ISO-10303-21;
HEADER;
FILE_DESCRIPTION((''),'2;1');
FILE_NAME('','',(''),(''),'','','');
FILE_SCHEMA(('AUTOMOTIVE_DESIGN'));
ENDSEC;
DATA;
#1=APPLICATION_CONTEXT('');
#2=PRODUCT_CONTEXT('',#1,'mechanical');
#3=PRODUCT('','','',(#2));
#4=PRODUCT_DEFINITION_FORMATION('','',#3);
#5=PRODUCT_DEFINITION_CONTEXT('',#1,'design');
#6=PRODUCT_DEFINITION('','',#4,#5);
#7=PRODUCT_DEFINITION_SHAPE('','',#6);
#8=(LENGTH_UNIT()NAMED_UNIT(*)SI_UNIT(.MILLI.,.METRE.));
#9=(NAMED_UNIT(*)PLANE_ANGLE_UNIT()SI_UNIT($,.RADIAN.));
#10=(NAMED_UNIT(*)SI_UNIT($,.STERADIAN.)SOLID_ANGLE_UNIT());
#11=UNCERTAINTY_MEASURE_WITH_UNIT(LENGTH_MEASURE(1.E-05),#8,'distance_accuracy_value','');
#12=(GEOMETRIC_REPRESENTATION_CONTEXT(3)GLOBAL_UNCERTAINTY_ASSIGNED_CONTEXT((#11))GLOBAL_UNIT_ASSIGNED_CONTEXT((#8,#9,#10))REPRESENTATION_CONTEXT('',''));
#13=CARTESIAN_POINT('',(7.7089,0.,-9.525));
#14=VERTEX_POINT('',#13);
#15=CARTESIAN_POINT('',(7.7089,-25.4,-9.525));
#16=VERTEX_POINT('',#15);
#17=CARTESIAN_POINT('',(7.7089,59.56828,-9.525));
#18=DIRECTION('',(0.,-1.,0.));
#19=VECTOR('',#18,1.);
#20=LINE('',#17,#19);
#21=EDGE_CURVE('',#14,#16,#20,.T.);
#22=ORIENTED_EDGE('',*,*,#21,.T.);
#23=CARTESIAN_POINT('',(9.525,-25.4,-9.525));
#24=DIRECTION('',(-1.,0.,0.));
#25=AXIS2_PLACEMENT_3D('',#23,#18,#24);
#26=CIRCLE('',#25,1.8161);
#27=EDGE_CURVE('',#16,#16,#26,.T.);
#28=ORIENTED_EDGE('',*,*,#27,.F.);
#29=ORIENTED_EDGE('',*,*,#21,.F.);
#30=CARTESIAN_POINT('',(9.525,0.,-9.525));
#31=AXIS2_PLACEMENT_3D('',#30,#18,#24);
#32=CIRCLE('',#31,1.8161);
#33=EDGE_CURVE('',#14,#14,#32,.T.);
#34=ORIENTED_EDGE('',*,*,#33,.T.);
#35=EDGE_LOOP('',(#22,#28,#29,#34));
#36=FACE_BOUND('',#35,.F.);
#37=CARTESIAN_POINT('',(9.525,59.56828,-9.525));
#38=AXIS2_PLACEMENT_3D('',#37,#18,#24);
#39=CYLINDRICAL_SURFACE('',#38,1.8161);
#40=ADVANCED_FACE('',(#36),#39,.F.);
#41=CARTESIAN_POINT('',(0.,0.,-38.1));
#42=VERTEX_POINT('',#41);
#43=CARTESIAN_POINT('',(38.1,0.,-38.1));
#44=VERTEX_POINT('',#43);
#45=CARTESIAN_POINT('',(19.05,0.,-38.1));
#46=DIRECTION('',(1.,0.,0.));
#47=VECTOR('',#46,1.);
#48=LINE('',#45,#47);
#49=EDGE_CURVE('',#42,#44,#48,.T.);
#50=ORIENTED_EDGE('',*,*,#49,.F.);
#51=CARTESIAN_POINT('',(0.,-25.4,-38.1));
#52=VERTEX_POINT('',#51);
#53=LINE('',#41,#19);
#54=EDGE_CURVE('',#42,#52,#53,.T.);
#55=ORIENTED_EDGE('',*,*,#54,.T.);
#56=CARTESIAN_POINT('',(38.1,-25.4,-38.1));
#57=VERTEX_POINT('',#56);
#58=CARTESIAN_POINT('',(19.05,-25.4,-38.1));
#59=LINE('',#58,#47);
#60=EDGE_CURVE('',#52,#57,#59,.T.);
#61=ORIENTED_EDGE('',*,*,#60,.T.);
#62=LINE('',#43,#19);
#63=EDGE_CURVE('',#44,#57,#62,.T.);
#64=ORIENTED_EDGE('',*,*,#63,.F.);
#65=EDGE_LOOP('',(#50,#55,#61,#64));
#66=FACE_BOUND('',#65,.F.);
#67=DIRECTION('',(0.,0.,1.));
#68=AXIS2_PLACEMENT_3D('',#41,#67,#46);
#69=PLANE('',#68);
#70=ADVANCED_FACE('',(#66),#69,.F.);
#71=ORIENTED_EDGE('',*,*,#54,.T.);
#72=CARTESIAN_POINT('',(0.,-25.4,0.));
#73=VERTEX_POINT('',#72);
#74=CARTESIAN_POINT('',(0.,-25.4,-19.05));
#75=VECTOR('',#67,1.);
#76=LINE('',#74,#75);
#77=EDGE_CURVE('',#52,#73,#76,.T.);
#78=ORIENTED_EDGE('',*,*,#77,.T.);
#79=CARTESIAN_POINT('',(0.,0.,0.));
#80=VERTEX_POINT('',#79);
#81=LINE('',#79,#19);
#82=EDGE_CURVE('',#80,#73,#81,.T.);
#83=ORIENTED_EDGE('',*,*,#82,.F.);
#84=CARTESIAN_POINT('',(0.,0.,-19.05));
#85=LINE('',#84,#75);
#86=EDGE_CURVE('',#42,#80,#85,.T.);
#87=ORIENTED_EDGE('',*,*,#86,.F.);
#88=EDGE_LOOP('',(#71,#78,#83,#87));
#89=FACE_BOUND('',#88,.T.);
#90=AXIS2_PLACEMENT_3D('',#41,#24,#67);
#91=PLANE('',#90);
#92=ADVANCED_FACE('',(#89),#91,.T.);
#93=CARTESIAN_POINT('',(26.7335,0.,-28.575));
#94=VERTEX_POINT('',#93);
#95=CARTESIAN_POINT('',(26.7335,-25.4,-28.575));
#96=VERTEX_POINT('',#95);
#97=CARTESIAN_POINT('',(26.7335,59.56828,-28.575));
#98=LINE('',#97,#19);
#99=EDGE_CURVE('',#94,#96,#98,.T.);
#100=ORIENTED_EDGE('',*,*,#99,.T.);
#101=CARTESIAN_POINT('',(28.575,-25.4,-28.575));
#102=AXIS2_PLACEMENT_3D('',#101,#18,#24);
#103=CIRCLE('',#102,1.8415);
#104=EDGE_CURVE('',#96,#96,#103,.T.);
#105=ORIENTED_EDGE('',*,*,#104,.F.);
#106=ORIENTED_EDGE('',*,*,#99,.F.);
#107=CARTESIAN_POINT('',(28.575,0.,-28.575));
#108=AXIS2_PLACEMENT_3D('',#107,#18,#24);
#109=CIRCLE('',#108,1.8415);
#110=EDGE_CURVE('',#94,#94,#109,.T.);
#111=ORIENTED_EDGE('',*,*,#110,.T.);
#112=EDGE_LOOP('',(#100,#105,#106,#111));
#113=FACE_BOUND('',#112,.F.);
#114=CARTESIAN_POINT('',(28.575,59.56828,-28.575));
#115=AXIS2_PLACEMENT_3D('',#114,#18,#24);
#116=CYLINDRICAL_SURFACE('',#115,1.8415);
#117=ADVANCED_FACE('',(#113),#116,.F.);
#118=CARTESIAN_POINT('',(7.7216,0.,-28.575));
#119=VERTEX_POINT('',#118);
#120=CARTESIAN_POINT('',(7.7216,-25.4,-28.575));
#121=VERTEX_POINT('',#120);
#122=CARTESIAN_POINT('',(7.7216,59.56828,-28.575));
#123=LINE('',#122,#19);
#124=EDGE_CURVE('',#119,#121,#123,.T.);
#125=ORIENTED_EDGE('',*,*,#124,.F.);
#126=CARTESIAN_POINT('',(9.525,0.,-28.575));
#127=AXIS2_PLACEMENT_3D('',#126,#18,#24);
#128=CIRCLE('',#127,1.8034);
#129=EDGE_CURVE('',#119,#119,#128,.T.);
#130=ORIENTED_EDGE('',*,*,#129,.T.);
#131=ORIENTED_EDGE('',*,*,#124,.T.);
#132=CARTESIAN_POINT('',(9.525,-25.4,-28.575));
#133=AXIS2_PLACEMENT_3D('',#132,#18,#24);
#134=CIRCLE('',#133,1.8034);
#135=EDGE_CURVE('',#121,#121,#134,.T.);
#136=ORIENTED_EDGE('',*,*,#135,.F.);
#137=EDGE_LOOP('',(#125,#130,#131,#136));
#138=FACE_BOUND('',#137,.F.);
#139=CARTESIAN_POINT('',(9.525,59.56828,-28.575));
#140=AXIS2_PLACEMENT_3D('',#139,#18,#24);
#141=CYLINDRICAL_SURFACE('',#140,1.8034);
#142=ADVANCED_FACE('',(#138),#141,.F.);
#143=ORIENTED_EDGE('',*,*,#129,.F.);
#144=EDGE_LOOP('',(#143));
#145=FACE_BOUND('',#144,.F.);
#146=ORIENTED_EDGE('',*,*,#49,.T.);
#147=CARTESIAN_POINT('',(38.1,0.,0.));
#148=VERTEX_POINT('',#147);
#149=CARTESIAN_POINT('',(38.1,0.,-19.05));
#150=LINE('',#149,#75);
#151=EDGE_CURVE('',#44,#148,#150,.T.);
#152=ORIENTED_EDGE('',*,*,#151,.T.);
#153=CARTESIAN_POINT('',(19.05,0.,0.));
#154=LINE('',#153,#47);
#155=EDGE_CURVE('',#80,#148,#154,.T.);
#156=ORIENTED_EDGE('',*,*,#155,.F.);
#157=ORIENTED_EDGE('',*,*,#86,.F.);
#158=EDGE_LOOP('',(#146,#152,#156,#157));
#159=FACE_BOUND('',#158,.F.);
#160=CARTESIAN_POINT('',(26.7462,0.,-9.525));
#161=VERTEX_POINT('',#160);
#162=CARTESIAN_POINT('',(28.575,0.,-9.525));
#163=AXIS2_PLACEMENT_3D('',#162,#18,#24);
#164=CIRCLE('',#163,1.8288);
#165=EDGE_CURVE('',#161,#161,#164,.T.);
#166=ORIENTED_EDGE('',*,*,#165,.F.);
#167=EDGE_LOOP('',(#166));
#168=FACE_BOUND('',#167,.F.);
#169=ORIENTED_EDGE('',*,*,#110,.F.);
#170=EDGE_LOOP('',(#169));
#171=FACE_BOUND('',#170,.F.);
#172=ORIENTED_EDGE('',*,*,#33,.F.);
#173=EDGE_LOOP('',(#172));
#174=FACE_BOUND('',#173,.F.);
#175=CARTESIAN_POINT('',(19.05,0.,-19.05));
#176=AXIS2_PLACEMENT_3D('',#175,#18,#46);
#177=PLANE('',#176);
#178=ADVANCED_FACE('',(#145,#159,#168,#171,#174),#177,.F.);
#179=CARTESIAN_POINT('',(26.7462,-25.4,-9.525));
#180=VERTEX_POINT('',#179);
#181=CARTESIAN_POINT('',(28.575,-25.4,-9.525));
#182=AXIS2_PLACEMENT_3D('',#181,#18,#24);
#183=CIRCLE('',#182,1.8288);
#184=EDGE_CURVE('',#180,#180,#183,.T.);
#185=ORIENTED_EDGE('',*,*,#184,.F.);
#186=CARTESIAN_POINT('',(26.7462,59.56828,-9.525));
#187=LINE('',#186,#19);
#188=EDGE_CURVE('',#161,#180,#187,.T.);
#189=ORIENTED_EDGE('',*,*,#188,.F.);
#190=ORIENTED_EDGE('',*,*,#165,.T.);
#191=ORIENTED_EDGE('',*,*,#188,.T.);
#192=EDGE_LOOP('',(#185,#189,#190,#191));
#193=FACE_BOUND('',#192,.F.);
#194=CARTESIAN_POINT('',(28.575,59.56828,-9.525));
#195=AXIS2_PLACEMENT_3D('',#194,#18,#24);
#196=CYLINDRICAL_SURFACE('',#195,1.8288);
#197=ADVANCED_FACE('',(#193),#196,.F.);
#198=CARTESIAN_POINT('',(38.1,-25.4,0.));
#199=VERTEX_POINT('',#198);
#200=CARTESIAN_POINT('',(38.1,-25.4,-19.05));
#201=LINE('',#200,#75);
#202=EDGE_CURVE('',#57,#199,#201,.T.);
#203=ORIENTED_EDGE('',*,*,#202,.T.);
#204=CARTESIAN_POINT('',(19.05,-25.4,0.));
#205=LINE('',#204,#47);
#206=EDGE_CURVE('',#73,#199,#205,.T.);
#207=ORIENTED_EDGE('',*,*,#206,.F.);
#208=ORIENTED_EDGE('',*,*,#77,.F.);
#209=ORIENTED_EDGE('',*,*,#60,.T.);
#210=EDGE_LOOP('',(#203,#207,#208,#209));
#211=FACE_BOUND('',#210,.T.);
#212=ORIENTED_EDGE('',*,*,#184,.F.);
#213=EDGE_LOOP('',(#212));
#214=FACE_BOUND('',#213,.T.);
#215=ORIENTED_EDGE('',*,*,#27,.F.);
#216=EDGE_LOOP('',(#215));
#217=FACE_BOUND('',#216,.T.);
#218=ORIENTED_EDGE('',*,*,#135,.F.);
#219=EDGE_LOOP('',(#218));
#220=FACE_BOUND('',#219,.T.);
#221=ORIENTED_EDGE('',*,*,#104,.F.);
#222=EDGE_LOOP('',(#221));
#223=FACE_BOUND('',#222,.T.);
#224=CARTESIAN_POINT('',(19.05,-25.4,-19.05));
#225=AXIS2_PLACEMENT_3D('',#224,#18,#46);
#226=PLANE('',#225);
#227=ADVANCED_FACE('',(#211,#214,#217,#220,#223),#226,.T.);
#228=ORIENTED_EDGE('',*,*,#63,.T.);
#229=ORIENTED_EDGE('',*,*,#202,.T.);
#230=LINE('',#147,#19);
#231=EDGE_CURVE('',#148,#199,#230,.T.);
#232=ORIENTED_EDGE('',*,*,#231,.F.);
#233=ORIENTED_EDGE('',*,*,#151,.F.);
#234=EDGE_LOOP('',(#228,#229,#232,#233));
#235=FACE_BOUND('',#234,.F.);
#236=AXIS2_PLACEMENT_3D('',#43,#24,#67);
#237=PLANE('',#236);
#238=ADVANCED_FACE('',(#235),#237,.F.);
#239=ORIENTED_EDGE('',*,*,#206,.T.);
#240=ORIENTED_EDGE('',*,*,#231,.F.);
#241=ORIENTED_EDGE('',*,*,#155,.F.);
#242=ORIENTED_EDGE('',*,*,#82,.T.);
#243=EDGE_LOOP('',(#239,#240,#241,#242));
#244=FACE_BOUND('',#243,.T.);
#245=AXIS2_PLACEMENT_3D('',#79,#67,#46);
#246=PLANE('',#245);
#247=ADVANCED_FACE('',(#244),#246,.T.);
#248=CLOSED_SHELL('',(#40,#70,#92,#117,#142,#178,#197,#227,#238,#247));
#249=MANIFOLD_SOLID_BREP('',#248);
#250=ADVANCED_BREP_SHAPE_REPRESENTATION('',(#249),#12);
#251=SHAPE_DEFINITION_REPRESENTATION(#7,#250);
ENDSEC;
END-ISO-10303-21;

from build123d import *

# Parameters (mm, degrees)
F0_W     = 38.1
F0_H     = 38.1
F2_DEPTH = 25.4
F3_D     = 3.6322
F4_D     = 3.6576
F5_D     = 3.6068
F6_D     = 3.683


with BuildPart() as f2:
    # F0 (on Front) → F2 (new body)
    with BuildSketch(Plane.XZ):
        with Locations((19.05, -19.05)):
            Rectangle(F0_W, F0_H)
    extrude(amount=F2_DEPTH)

    # F3 (through all)
    with Locations(Plane(origin=(0, 0, 0), x_dir=(1, 0, 0), z_dir=(0, 1, 0))):
        with Locations((9.525, 9.525)):
            Hole(F3_D / 2)

    # F4 (through all)
    with Locations(Plane(origin=(0, 0, 0), x_dir=(1, 0, 0), z_dir=(0, 1, 0))):
        with Locations((28.575, 9.525)):
            Hole(F4_D / 2)

    # F5 (through all)
    with Locations(Plane(origin=(0, 0, 0), x_dir=(1, 0, 0), z_dir=(0, 1, 0))):
        with Locations((9.525, 28.575)):
            Hole(F5_D / 2)

    # F6 (through all)
    with Locations(Plane(origin=(0, 0, 0), x_dir=(1, 0, 0), z_dir=(0, 1, 0))):
        with Locations((28.575, 28.575)):
            Hole(F6_D / 2)


solid = f2.part
